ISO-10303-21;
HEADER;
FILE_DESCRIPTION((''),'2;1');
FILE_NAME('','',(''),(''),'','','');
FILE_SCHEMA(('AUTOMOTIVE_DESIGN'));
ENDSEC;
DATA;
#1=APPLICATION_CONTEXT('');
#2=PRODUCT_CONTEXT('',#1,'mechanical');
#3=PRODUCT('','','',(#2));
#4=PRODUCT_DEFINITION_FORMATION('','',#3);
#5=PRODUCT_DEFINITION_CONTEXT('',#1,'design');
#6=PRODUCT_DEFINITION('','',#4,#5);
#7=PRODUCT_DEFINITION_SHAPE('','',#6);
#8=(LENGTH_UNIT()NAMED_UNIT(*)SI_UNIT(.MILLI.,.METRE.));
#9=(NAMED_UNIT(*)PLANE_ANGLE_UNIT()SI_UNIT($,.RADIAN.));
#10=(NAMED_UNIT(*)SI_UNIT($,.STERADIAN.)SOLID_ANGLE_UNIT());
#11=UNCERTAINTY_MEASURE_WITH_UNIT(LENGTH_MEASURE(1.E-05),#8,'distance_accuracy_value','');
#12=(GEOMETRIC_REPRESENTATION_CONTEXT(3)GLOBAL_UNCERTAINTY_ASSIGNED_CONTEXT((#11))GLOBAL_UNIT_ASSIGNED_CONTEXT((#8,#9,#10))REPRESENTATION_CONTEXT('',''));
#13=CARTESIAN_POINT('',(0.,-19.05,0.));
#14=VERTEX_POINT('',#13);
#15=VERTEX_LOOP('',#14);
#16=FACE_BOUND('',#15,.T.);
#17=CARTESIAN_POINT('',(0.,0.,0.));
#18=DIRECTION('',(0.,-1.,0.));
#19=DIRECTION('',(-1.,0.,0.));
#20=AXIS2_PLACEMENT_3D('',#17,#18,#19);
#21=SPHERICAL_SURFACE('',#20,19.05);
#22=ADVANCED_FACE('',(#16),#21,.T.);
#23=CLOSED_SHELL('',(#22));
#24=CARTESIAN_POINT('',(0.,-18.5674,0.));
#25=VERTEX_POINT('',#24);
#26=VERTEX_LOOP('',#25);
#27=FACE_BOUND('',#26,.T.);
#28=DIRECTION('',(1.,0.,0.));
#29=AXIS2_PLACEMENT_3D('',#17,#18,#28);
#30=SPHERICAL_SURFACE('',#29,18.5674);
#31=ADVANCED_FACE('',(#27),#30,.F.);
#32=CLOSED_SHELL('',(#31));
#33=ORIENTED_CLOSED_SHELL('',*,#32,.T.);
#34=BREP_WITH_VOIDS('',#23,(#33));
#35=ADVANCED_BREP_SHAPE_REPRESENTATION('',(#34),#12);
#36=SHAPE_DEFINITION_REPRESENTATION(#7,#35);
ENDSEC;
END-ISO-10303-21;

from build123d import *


with BuildPart() as part:
    # Sketch2 → Revolve1 (revolve)
    with BuildSketch(Plane.XY):
        with BuildLine():
            Line((0, 19.05), (0, 18.5674))
            ThreePointArc((0, 18.5674), (18.5674, 0), (0, -18.5674))
            Line((0, -18.5674), (0, -19.05))
            ThreePointArc((0, -19.05), (19.05, 0), (0, 19.05))
        make_face()
    revolve(axis=Axis((0, -158.486323131, 0), (0, 1, 0)))


solid = part.part
